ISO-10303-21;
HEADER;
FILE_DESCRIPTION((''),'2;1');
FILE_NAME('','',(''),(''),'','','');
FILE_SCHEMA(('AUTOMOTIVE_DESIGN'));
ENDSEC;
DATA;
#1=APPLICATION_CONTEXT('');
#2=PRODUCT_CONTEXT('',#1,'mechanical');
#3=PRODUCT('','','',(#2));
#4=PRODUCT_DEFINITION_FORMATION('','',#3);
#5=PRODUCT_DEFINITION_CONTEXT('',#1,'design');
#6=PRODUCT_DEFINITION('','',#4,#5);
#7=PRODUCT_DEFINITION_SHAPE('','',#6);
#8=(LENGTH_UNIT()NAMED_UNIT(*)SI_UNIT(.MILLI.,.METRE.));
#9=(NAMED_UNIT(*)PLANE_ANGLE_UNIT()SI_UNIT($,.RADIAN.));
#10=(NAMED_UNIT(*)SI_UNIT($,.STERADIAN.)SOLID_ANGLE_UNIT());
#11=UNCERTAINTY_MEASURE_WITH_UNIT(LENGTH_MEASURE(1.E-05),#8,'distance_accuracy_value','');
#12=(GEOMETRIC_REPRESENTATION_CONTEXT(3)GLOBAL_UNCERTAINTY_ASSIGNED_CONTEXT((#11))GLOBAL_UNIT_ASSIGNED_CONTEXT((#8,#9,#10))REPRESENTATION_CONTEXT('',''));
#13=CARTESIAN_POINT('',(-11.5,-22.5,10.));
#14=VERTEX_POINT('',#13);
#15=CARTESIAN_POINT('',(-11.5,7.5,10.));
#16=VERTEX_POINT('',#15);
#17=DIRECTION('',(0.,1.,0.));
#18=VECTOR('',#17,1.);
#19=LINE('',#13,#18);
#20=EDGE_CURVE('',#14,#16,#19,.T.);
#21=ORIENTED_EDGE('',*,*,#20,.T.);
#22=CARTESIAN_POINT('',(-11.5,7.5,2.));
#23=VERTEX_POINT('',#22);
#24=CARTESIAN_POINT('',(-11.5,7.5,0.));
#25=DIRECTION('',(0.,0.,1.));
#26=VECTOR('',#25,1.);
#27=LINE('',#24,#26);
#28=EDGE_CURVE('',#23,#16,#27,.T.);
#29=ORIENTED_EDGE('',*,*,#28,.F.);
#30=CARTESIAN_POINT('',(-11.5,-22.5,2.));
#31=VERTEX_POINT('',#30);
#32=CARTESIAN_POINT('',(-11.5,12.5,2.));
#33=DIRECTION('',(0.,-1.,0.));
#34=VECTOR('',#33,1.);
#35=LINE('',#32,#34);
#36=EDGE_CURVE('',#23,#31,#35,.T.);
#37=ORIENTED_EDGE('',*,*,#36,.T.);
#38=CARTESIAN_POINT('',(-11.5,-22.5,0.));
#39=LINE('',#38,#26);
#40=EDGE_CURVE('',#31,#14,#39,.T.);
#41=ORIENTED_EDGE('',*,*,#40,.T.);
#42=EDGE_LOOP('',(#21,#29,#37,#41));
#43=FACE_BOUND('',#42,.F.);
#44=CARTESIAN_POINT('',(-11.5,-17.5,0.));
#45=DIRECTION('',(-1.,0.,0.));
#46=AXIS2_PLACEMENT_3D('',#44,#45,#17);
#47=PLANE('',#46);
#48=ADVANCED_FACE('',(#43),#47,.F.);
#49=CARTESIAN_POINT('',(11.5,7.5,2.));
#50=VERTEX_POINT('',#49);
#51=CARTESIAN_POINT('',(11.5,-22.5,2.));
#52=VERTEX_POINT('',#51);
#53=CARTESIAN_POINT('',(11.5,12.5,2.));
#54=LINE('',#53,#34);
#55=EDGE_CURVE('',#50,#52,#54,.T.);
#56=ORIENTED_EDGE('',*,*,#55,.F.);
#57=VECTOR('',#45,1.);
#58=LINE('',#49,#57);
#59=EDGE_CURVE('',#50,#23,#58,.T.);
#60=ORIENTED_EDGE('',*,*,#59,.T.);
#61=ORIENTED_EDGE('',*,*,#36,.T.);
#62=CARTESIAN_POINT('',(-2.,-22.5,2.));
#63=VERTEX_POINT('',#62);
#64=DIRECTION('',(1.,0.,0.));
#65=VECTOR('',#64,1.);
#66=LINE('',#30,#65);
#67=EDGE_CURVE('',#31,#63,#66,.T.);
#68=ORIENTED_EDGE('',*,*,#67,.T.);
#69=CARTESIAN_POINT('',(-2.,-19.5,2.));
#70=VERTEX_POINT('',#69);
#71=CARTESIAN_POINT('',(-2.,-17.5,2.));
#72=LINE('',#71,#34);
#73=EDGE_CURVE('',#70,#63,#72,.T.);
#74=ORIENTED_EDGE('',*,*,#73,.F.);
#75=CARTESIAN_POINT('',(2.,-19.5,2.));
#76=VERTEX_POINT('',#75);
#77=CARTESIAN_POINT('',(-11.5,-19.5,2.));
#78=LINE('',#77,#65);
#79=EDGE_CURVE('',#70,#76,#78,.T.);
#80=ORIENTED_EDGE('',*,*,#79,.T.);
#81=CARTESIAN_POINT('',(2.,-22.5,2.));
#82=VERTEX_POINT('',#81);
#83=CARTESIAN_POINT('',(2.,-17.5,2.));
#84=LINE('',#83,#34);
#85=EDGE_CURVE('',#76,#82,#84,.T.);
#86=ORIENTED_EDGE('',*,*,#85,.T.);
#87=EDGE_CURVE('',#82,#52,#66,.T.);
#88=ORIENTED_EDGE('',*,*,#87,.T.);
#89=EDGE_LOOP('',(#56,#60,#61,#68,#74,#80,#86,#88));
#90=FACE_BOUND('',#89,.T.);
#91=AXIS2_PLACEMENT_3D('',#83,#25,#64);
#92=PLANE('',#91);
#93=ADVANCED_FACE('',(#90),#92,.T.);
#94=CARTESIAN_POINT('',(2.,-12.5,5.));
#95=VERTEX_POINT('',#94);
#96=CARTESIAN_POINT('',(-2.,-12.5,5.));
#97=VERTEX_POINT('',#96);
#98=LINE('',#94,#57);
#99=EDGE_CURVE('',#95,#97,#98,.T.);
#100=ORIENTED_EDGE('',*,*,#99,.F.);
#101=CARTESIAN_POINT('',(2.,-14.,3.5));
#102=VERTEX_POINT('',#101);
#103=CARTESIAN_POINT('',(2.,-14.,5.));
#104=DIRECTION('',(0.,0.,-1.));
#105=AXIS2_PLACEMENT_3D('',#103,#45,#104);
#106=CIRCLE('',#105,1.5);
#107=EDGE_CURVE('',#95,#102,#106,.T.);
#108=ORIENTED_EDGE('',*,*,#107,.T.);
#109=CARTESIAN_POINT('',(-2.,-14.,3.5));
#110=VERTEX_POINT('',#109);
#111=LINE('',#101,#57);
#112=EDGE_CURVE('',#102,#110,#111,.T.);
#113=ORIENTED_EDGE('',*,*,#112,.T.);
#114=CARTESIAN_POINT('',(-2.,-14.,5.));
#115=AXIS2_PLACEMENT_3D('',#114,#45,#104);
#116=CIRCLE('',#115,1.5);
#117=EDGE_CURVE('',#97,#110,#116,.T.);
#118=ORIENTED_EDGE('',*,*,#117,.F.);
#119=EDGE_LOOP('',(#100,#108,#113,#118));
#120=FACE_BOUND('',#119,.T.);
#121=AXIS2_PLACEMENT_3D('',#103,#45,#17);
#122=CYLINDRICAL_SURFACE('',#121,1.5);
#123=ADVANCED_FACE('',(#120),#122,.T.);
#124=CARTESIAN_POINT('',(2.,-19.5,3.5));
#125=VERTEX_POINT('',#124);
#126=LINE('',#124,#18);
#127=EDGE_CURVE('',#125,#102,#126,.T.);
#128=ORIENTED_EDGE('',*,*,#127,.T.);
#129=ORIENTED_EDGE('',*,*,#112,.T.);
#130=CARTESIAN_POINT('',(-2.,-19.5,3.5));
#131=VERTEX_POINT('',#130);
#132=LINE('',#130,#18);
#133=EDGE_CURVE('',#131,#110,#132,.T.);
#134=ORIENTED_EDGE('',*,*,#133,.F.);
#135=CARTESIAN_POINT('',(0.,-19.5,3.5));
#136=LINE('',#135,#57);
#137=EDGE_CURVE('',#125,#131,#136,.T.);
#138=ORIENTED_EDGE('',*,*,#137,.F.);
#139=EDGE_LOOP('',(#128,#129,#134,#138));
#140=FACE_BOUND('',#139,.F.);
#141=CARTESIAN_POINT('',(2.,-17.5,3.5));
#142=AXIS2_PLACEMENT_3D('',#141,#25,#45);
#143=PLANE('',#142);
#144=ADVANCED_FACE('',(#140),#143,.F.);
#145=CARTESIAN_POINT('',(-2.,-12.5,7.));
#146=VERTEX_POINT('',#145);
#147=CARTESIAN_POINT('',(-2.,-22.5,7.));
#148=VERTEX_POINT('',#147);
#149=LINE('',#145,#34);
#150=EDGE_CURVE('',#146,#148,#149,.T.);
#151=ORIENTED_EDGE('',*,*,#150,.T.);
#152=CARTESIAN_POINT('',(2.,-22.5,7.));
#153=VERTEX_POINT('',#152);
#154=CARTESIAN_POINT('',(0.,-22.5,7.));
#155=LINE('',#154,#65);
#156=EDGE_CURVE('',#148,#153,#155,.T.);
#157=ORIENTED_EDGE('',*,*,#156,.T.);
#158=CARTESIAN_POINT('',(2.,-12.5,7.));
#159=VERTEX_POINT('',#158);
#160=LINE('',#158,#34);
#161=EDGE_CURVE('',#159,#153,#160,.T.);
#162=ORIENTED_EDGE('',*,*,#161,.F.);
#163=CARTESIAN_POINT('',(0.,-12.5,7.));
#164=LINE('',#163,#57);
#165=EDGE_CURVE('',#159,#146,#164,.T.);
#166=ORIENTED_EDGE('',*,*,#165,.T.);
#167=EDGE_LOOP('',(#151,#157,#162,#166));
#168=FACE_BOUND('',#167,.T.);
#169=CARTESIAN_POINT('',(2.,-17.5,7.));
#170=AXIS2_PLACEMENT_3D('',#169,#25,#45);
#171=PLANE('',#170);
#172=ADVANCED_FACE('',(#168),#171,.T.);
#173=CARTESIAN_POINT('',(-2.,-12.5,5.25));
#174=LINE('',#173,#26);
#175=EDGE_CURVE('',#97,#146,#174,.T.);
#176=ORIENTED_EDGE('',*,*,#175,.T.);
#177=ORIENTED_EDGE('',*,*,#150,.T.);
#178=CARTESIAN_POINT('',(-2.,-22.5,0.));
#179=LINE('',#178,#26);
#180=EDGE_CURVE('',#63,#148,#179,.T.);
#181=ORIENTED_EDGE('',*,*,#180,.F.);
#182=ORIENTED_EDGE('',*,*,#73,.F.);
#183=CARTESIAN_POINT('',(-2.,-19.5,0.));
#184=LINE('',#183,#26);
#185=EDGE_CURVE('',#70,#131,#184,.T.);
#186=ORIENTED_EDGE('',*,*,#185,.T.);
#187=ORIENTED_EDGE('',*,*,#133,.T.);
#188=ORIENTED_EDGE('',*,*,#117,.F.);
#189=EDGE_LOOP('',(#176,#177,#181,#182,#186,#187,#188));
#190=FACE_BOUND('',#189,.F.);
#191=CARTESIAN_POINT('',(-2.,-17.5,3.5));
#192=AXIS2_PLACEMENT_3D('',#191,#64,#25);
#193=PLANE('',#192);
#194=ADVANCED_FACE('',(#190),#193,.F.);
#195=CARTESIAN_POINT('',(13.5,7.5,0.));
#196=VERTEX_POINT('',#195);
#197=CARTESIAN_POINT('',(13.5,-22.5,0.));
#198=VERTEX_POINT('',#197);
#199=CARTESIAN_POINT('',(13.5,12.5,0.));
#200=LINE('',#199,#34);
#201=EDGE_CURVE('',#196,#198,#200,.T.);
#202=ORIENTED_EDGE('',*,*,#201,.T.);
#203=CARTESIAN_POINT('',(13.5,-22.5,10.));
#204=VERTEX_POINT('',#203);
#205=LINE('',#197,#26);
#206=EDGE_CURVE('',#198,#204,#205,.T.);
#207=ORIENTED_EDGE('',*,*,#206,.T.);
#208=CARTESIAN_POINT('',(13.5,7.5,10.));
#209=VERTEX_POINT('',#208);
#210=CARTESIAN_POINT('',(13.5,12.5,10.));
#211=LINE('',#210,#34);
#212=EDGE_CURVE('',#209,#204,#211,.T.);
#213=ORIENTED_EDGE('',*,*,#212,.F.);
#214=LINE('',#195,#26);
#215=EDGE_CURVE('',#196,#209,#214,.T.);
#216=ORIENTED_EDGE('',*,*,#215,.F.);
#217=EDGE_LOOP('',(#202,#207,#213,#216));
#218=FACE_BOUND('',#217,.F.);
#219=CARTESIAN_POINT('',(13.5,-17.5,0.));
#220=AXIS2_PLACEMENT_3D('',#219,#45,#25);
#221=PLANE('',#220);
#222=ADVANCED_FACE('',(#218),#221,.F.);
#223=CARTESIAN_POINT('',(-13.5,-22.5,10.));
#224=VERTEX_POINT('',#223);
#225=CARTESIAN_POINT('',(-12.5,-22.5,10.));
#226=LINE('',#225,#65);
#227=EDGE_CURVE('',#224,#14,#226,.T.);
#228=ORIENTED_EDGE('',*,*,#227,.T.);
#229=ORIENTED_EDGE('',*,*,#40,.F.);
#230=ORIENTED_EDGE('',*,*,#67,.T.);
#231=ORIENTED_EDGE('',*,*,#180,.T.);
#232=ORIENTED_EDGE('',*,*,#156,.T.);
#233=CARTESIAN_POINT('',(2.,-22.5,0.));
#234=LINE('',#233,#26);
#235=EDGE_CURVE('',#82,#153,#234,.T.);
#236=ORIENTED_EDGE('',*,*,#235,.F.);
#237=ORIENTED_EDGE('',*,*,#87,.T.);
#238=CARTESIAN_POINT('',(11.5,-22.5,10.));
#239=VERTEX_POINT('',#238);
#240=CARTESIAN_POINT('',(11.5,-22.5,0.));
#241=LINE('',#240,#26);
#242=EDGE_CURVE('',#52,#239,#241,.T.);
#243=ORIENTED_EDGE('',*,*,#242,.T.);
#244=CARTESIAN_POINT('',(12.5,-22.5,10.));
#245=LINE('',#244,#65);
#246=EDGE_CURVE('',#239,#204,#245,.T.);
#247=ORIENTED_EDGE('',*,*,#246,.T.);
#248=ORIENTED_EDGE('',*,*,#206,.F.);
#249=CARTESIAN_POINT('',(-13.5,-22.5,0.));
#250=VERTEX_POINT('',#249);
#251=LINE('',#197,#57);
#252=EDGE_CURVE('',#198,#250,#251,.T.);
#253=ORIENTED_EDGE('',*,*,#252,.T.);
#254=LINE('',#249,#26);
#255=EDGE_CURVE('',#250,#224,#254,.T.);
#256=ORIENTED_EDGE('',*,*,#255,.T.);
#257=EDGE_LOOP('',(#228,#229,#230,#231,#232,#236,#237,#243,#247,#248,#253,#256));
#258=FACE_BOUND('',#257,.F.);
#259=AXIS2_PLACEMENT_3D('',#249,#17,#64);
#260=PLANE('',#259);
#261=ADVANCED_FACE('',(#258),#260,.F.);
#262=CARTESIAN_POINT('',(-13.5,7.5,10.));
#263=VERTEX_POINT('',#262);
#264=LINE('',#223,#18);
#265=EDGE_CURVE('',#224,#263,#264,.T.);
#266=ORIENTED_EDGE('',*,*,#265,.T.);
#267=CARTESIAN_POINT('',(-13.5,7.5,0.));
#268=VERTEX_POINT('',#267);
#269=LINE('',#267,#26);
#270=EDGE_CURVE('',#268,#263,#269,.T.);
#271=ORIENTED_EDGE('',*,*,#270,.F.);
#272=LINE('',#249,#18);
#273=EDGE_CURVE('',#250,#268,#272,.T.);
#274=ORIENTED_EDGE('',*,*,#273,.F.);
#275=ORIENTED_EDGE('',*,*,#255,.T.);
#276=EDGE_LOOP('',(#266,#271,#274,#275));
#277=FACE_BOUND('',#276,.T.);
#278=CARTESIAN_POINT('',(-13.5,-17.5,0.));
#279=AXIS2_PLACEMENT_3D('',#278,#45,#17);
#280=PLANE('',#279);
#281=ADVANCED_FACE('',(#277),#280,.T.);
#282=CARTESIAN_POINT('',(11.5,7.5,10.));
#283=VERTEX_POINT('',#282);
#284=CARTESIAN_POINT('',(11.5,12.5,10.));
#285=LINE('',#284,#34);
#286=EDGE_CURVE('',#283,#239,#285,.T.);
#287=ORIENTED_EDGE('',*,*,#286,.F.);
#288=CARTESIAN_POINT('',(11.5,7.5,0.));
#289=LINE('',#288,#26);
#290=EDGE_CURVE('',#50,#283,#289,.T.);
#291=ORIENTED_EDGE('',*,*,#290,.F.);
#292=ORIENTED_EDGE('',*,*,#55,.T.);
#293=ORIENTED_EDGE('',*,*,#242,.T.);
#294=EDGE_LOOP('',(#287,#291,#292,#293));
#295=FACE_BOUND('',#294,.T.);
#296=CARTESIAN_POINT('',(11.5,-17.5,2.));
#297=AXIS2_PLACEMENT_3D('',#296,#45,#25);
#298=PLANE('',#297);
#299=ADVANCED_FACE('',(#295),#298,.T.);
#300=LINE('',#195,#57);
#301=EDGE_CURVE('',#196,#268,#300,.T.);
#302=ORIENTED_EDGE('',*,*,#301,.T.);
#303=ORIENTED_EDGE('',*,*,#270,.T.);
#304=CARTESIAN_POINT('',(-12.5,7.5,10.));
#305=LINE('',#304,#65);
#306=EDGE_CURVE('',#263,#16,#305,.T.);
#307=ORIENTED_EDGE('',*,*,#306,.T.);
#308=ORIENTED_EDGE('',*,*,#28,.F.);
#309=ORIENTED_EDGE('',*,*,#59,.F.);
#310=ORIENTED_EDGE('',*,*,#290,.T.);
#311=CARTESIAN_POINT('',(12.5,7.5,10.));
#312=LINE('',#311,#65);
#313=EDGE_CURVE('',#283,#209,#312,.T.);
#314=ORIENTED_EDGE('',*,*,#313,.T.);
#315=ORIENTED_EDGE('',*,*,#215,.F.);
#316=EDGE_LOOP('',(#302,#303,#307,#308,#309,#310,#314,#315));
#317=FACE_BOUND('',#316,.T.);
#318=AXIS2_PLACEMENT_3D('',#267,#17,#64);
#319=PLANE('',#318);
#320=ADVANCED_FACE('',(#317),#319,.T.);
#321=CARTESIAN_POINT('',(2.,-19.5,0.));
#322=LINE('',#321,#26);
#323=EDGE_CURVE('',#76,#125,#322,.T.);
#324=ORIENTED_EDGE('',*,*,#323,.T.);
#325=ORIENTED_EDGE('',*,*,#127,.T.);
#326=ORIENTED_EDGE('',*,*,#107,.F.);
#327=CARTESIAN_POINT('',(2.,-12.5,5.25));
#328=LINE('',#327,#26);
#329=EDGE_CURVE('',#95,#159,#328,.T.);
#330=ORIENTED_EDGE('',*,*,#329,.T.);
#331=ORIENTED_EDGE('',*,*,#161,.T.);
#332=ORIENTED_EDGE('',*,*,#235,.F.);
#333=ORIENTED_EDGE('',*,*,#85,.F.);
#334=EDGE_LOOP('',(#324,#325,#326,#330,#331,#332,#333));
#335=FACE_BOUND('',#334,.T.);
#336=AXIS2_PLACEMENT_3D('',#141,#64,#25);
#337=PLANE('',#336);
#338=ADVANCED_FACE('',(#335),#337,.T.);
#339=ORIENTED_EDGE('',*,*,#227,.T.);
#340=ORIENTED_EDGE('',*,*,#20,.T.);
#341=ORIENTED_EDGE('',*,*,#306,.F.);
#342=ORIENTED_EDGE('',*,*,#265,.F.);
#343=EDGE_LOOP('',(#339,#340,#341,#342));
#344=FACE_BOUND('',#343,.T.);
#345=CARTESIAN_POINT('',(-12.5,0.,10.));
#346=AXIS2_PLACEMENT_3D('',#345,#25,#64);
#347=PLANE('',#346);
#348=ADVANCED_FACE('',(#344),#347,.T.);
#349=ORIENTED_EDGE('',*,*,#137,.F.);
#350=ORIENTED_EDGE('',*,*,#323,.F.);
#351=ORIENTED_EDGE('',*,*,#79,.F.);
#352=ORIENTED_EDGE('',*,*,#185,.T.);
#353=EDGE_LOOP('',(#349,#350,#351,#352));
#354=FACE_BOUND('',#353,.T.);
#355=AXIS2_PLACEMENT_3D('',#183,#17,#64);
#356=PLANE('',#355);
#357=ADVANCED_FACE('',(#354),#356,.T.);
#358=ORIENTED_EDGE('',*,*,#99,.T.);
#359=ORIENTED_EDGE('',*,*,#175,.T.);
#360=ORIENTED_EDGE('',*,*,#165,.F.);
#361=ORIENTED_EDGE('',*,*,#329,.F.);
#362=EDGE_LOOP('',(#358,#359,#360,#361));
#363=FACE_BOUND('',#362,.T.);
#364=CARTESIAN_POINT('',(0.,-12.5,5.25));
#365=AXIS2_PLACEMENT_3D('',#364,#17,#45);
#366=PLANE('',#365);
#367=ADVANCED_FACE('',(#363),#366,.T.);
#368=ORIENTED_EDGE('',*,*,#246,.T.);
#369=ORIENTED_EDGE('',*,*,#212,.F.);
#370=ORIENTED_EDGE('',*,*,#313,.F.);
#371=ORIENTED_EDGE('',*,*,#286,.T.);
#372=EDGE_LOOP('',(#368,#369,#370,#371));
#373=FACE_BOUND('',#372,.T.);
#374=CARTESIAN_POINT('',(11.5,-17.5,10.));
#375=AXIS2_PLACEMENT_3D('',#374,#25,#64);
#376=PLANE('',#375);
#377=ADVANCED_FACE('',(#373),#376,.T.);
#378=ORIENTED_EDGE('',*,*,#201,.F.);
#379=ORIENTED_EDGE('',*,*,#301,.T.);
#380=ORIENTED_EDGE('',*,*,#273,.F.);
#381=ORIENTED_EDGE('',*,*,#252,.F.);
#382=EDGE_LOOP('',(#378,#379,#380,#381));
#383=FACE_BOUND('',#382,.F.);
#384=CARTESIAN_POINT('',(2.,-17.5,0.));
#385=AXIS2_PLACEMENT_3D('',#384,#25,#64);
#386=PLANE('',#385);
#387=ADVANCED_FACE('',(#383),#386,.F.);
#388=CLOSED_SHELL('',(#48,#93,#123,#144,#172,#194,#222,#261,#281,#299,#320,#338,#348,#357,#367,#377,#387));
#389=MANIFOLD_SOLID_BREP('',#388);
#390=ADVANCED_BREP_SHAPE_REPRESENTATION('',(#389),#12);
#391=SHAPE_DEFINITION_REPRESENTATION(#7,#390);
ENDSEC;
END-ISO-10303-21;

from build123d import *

# Parameters (mm, degrees)
F1_DEPTH  = 2
F0_W      = 2
F0_H      = 35
F2_DEPTH  = 10
F0_W_2    = 4
F0_H_2    = 5
F3_DEPTH  = 7
F4_W      = 4
F4_H      = 3.5
F5_DEPTH  = 5
F6_R      = 1.5
F7_DEPTH  = 2
F8_DEPTH  = 5
F9_DEPTH  = 5
F10_DEPTH = 5


with BuildPart() as f1:
    # F0 (on Top) → F1 (new body)
    with BuildSketch(Plane.XY):
        Polygon((11.5, 17.5), (-11.5, 17.5), (-11.5, -17.5), (-2, -17.5), (2, -17.5), (11.5, -17.5), align=None)
    extrude(amount=F1_DEPTH)

    # F0 (on Top) → F2 (join)
    with BuildSketch(Plane.XY):
        with Locations((-12.5, 0)):
            Rectangle(F0_W, F0_H)
        with Locations((12.5, 0)):
            Rectangle(F0_W, F0_H)
    extrude(amount=F2_DEPTH)

    # F0 (on Top) → F3 (join)
    with BuildSketch(Plane.XY):
        with Locations((0, -20)):
            Rectangle(F0_W_2, F0_H_2)
    extrude(amount=F3_DEPTH)

    # F4 (on face) → F5 (join)
    with BuildSketch(Plane(origin=(0, -17.5, 0), x_dir=(-1, 0, 0), z_dir=(0, 1, 0))):
        with Locations((0, 5.25)):
            Rectangle(F4_W, F4_H)
    extrude(amount=F5_DEPTH)

    # F6
    f6_edges = [f1.edges().sort_by_distance(p)[0] for p in [
        (0, -12.5, 3.5),
    ]]
    fillet(f6_edges, radius=F6_R)

    # F7 (cut): a face of the model
    f7_faces = [f1.faces().sort_by_distance(p)[0] for p in [
        (0, -17.5, 2.75),
    ]]
    extrude(f7_faces, amount=-F7_DEPTH, mode=Mode.SUBTRACT)

    # F8 (cut): a face of the model
    f8_faces = [f1.faces().sort_by_distance(p)[0] for p in [
        (0, 17.5, 0.287923601),
    ]]
    extrude(f8_faces, amount=-F8_DEPTH, mode=Mode.SUBTRACT)

    # F9 (add): faces of the model
    f9_faces = [f1.faces().sort_by_distance(p)[0] for p in [
        (6.75, -17.5, 1.8476024935),
        (-6.75, -17.5, 1.8476024935),
    ]]
    extrude(f9_faces, amount=F9_DEPTH)

    # F10 (cut): a face of the model
    f10_faces = [f1.faces().sort_by_distance(p)[0] for p in [
        (0, 12.5, 0.287923601),
    ]]
    extrude(f10_faces, amount=-F10_DEPTH, mode=Mode.SUBTRACT)


solid = f1.part
